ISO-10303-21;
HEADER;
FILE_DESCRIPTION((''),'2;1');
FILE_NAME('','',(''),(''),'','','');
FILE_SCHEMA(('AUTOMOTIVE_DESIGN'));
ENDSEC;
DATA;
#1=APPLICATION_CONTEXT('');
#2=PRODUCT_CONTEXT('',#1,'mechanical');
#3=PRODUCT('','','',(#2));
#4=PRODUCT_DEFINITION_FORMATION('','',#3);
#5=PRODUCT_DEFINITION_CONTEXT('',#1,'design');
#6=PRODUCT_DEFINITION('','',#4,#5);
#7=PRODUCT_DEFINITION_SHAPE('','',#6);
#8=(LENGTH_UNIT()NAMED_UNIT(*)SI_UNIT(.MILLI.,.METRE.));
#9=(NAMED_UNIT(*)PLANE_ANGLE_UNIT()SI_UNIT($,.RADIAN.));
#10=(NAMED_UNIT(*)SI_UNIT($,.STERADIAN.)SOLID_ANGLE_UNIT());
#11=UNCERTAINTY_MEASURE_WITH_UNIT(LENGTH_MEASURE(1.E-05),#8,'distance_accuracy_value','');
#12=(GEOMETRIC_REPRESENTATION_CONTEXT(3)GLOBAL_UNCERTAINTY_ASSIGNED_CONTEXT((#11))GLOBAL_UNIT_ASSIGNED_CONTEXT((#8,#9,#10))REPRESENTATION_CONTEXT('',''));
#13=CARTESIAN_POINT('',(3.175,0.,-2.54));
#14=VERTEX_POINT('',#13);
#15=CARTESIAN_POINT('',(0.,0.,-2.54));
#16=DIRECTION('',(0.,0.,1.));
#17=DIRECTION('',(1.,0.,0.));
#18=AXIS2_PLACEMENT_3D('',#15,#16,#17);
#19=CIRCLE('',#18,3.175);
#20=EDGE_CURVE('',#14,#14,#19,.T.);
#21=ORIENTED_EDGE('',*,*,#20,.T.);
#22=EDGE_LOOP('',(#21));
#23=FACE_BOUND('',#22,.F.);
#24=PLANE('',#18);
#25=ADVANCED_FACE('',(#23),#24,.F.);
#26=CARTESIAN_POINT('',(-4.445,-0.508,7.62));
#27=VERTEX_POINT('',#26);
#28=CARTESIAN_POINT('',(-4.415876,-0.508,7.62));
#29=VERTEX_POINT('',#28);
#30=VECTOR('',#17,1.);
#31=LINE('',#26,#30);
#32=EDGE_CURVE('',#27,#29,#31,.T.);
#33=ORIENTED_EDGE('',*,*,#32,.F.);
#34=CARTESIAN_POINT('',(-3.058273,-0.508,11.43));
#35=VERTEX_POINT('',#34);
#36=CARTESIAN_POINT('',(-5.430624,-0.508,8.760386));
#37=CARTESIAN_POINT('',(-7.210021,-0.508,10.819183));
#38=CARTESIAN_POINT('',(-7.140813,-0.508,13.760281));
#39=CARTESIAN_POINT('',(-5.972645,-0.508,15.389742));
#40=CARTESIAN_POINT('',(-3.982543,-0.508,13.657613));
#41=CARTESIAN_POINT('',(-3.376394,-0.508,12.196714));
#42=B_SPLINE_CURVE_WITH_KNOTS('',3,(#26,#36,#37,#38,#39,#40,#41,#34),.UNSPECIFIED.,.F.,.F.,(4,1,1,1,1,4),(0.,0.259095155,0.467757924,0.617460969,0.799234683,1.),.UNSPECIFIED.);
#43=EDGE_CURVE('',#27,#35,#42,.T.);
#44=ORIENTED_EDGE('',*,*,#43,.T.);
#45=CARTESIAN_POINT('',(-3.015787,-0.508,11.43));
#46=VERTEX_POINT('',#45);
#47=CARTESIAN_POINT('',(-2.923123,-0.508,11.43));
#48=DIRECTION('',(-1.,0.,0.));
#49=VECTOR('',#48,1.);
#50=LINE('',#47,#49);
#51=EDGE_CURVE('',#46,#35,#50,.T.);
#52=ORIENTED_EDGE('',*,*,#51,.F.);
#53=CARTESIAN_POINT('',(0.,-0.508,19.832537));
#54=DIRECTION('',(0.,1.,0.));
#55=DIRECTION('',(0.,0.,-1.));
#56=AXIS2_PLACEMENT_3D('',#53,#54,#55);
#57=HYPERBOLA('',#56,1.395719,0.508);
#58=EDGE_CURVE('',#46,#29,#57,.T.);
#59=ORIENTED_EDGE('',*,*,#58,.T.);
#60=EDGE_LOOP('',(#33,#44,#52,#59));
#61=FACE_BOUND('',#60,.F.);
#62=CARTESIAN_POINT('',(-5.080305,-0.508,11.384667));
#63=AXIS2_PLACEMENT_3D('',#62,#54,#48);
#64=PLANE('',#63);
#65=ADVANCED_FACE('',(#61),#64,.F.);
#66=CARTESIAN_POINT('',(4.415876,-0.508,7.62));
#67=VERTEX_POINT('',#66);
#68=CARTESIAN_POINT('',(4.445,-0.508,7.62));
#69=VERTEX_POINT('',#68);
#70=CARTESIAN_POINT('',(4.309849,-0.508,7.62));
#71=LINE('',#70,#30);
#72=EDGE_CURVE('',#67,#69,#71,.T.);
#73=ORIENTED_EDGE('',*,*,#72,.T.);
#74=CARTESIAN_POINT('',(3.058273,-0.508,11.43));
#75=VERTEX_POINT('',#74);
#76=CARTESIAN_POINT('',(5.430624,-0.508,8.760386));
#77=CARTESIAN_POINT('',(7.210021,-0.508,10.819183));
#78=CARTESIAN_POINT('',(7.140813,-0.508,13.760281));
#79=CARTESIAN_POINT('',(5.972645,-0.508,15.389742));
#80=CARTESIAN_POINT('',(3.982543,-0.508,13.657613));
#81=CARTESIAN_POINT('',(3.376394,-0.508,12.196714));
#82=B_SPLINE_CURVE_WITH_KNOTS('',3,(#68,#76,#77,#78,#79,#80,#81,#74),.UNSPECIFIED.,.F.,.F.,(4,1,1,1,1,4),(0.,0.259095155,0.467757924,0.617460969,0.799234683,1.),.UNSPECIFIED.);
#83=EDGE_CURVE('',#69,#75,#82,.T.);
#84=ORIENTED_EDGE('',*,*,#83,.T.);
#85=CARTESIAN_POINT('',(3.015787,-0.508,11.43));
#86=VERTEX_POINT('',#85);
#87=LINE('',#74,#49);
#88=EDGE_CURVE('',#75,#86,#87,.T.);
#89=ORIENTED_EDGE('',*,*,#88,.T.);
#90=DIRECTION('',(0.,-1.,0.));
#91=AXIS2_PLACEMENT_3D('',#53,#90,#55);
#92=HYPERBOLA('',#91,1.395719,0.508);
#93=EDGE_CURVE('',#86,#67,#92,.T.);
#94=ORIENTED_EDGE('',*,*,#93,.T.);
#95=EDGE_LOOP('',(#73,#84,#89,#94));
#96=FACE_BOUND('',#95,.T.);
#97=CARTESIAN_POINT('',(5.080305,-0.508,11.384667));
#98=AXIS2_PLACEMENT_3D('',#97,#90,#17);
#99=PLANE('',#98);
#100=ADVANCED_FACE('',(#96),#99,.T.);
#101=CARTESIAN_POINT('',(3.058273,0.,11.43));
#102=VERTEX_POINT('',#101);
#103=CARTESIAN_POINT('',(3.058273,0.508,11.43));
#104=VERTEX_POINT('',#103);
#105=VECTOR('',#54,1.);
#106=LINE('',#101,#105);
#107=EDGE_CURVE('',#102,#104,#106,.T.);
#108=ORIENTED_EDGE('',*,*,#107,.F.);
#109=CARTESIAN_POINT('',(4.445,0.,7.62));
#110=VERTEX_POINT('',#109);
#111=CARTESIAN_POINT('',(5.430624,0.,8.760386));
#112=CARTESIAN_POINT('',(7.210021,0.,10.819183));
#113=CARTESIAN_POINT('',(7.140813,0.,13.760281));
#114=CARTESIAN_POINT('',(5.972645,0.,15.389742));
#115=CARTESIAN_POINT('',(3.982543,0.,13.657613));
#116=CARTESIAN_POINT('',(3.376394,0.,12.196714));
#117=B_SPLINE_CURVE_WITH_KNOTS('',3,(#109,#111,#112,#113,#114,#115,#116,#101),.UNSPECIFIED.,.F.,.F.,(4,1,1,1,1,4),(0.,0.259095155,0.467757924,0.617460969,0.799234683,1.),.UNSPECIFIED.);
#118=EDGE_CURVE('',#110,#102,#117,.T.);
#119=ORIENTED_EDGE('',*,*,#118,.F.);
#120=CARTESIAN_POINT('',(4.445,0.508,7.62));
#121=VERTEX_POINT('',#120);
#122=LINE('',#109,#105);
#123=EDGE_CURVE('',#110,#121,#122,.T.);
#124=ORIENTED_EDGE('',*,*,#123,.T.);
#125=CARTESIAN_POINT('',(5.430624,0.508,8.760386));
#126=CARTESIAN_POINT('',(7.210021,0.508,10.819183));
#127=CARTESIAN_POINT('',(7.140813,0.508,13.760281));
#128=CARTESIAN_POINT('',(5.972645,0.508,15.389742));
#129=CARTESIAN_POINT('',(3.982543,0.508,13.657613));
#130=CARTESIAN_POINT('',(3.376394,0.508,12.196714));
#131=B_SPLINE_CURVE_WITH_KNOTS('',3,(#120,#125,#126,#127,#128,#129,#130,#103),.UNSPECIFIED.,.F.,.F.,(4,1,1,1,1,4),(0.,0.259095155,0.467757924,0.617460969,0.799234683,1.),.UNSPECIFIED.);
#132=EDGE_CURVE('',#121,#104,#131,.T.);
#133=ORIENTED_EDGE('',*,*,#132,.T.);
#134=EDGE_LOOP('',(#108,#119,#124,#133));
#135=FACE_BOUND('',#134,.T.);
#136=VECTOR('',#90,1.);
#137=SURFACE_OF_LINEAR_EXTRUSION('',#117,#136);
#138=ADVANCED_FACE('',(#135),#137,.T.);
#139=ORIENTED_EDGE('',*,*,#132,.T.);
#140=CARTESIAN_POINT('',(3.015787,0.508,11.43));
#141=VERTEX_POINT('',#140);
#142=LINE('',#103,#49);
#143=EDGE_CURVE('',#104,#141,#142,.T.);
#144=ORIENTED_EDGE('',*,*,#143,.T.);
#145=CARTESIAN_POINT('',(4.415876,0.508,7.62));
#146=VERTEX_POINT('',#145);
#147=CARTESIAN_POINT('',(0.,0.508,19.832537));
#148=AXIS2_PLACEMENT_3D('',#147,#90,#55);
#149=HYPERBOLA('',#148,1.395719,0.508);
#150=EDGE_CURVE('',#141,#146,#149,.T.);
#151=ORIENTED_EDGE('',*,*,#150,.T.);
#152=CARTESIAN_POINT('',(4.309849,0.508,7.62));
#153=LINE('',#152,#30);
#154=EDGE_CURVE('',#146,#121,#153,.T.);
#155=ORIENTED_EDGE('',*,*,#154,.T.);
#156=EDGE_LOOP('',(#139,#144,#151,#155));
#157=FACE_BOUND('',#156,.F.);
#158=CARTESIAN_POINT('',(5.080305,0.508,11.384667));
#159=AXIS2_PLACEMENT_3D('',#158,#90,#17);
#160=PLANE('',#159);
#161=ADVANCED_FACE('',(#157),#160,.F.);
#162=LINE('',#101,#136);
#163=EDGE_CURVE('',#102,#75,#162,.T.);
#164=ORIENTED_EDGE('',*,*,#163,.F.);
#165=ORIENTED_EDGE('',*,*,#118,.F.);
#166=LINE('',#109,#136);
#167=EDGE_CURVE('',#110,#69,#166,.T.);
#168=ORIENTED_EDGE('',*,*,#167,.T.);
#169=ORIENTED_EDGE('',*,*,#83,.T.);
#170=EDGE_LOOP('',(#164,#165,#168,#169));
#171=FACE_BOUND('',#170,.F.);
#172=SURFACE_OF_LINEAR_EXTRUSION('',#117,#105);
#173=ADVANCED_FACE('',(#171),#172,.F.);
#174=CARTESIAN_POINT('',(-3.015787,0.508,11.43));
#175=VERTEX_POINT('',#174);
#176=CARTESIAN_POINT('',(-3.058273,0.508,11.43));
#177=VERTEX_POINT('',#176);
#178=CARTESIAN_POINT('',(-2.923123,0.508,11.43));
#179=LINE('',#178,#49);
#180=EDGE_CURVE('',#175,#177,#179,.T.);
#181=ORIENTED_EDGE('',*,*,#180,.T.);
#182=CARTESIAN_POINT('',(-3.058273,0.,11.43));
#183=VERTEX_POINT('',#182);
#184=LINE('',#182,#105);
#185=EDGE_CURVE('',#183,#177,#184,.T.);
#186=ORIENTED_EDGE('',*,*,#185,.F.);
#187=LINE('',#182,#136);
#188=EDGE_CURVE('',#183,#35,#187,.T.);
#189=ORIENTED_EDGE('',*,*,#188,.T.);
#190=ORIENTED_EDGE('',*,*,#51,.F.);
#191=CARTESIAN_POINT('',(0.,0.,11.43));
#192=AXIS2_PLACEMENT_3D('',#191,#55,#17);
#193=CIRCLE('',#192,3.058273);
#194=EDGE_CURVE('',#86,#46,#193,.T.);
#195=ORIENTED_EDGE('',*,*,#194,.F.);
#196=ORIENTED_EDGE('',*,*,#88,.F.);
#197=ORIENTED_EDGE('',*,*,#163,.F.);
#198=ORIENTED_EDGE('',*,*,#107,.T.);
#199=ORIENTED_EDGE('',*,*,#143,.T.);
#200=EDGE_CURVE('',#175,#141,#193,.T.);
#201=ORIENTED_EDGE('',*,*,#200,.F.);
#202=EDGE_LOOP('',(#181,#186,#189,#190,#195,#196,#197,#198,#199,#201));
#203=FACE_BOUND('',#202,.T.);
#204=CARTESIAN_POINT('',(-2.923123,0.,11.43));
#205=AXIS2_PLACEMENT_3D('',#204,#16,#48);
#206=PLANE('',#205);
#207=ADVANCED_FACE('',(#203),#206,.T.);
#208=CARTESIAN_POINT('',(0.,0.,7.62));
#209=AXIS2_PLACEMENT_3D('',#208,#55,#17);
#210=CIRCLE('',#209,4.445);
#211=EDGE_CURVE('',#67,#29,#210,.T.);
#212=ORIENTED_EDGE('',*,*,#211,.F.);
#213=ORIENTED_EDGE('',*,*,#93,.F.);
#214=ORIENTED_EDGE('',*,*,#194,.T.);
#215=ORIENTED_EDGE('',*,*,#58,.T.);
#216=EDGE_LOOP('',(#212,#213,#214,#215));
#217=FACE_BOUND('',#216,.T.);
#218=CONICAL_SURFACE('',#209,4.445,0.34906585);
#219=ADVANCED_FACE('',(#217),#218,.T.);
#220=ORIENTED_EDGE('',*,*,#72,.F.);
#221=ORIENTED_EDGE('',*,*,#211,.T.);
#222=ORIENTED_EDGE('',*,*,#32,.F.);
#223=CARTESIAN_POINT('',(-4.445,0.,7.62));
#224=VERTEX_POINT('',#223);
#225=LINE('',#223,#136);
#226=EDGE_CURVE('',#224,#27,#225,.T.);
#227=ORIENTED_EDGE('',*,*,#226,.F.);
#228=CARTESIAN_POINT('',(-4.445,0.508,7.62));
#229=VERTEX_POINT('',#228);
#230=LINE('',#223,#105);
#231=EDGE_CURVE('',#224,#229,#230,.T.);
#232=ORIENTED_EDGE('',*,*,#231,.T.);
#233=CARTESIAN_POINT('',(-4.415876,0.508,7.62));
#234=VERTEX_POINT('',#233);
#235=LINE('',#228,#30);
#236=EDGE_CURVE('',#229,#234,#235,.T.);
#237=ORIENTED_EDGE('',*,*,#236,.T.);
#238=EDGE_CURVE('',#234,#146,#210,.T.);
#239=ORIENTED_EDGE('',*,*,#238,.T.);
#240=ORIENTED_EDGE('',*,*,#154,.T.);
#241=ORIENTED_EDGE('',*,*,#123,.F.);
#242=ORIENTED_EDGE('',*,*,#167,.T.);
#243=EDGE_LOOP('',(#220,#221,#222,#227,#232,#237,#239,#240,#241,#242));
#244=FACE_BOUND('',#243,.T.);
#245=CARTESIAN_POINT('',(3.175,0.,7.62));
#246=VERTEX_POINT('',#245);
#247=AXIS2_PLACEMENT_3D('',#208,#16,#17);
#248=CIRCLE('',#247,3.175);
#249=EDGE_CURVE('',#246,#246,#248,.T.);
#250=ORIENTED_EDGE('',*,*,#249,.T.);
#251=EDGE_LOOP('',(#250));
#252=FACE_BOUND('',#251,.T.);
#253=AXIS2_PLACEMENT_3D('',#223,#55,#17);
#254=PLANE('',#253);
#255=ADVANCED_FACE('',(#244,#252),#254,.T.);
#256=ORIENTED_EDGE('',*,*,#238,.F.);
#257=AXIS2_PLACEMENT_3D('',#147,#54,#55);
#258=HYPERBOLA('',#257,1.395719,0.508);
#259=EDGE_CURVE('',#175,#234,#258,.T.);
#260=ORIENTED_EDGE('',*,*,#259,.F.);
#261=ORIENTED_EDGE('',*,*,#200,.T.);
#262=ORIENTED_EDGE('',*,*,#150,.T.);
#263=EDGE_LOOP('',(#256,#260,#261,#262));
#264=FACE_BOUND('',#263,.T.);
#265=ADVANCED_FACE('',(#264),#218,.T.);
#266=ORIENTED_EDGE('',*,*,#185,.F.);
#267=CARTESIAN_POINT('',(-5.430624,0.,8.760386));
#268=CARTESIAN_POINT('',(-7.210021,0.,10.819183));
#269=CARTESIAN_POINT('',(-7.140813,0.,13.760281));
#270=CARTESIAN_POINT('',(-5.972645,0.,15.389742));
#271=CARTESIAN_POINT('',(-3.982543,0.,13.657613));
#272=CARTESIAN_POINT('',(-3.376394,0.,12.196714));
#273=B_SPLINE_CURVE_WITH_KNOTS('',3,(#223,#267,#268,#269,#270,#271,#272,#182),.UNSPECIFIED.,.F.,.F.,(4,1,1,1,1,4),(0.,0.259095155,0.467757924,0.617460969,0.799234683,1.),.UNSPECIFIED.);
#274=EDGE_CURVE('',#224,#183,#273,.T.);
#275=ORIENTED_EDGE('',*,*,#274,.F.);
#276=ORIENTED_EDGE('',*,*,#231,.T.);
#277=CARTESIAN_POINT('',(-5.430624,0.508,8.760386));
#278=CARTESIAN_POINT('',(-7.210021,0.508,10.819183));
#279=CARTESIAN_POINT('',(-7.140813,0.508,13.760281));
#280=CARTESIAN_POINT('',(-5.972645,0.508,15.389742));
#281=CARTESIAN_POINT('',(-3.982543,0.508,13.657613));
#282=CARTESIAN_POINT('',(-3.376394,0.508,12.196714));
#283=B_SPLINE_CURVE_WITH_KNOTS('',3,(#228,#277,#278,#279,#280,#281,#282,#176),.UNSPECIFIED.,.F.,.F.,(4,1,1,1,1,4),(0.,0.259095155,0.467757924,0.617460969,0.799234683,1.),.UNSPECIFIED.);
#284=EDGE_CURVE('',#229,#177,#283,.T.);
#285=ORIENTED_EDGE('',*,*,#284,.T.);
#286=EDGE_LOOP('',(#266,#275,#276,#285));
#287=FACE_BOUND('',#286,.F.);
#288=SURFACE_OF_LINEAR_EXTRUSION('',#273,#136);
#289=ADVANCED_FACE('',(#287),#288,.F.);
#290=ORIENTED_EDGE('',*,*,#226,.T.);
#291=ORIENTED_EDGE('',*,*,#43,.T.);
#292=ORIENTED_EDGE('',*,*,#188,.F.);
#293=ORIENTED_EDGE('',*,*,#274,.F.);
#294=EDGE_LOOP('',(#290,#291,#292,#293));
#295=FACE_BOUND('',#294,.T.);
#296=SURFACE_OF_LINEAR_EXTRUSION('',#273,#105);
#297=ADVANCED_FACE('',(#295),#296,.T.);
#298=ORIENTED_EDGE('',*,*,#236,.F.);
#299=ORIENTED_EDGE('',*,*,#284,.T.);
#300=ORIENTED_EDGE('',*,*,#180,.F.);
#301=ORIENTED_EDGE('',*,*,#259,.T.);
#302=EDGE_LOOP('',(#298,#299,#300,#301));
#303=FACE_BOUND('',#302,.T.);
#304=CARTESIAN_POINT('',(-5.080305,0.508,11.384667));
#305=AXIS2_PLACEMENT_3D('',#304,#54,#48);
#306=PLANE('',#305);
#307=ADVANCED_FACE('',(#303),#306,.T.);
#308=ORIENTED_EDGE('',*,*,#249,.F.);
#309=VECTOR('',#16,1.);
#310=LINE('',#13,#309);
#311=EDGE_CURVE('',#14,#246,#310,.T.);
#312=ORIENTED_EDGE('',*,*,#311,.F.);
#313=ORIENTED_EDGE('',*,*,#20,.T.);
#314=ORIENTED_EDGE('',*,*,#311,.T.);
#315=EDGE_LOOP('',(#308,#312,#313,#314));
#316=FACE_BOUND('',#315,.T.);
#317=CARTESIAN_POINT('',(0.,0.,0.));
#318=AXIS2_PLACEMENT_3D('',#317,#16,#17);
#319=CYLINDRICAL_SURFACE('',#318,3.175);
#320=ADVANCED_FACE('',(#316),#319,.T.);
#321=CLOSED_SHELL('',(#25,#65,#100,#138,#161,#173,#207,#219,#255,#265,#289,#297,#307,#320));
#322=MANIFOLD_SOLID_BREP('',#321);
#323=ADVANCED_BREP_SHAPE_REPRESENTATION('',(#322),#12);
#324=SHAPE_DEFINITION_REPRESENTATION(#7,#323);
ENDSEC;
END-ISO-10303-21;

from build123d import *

# Parameters (mm, degrees)
F0_R          = 3.175
F1_DEPTH      = 7.62
F1_DEPTH_BACK = 2.54
F2_R          = 4.445
F3_DEPTH      = 3.81
F3_TAPER      = 20
F5_DEPTH      = 0.508
F5_DEPTH_BACK = 0.508


with BuildPart() as f1:
    # F0 (on Top) → F1 (new body, two sides)
    with BuildSketch(Plane.XY) as f1_sk:
        Circle(F0_R)
    extrude(amount=F1_DEPTH)
    extrude(f1_sk.sketch, amount=-F1_DEPTH_BACK)

    # F2 (on face) → F3 (join)
    with BuildSketch(Plane.XY.offset(7.62)):
        Circle(F2_R)
    extrude(amount=F3_DEPTH, taper=F3_TAPER)

    # F4 (on Front) → F5 (join, two sides)
    with BuildSketch(Plane.XZ) as f5_sk:
        with BuildLine():
            add(Edge.make_bspline(
                [(-4.445, 7.62), (-5.4306236993, 8.7603855695), (-7.2100212951, 10.8191827983), (-7.1408132194, 13.7602810308), (-5.972645336, 15.3897415196), (-3.9825425825, 13.6576128283), (-3.3763941185, 12.1967136328), (-3.0582734074, 11.43)],
                knots=[0, 0, 0, 0, 0.2590951549, 0.4677579243, 0.6174609687, 0.7992346828, 1, 1, 1, 1], degree=3))
            Line((-4.445, 7.62), (-4.3098494229, 7.62))
            Line((-4.3098494229, 7.62), (-2.9231228303, 11.43))
            Line((-2.9231228303, 11.43), (-3.0582734074, 11.43))
        make_face()
        with BuildLine():
            Line((4.3098494229, 7.62), (4.445, 7.62))
            add(Edge.make_bspline(
                [(4.445, 7.62), (5.4306236993, 8.7603855695), (7.2100212951, 10.8191827983), (7.1408132194, 13.7602810308), (5.972645336, 15.3897415196), (3.9825425825, 13.6576128283), (3.3763941185, 12.1967136328), (3.0582734074, 11.43)],
                knots=[0, 0, 0, 0, 0.2590951549, 0.4677579243, 0.6174609687, 0.7992346828, 1, 1, 1, 1], degree=3))
            Line((3.0582734074, 11.43), (2.9231228303, 11.43))
            Line((2.9231228303, 11.43), (4.3098494229, 7.62))
        make_face()
    extrude(amount=F5_DEPTH)
    extrude(f5_sk.sketch, amount=-F5_DEPTH_BACK)


solid = f1.part
